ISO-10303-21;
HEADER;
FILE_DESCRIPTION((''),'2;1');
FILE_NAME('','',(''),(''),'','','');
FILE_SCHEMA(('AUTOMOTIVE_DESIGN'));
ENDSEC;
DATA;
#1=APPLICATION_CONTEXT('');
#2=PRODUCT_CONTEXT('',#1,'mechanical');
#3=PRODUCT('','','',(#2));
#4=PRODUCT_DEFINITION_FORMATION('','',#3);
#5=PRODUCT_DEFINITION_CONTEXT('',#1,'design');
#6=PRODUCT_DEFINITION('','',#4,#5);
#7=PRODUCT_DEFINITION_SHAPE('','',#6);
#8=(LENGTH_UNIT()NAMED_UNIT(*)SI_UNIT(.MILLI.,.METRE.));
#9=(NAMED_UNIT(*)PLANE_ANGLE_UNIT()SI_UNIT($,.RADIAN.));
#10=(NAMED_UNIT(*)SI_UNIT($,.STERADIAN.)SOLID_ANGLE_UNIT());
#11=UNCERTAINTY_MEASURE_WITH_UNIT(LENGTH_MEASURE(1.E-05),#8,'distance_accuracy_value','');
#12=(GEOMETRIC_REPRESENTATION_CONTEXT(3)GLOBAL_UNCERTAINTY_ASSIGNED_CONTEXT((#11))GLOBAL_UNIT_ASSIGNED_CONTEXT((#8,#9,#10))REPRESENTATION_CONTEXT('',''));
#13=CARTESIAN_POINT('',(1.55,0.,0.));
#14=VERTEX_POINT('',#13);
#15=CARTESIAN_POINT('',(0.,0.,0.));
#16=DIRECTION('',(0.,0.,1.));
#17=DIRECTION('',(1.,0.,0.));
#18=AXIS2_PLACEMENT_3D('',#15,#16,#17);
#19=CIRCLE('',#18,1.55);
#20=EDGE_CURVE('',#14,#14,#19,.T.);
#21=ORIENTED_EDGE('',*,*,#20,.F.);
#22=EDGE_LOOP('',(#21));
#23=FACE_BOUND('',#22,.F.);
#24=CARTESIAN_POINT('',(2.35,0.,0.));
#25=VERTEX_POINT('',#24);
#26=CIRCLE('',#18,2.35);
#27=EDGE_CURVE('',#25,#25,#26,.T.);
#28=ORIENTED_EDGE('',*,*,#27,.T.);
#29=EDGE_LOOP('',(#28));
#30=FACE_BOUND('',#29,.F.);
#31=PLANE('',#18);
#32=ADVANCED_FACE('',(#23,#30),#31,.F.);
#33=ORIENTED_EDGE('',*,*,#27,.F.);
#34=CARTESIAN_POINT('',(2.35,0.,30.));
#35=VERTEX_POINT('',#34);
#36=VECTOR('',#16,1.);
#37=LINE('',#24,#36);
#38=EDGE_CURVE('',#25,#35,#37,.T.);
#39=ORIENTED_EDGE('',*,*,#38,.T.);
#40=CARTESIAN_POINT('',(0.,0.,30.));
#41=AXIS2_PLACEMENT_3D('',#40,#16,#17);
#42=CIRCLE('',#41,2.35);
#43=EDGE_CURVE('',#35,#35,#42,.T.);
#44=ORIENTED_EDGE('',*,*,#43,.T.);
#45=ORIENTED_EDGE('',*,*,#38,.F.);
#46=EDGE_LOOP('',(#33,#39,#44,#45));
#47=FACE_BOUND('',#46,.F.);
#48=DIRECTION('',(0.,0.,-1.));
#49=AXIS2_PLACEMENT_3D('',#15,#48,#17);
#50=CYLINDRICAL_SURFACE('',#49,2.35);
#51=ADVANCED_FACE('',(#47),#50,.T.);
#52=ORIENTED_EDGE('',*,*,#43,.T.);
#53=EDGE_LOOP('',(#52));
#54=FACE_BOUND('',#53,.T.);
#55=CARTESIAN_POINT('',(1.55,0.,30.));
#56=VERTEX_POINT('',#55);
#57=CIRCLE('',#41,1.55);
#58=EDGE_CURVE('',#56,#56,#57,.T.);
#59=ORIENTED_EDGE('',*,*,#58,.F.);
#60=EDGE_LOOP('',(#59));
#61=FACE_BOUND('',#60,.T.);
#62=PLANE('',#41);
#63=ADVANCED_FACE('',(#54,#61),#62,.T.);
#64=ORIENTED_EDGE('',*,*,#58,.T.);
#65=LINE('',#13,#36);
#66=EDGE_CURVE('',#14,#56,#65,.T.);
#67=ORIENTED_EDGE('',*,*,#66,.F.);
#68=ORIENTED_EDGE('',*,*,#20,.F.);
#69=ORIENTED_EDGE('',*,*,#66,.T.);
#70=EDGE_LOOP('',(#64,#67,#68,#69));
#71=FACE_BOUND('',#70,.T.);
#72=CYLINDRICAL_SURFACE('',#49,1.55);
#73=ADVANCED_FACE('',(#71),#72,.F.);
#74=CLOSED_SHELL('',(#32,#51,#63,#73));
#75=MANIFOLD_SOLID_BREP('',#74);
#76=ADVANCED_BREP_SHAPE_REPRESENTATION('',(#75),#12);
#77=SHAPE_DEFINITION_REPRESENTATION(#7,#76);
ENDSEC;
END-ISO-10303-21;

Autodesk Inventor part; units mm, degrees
ref_plane "YZ Plane" through (0, 0, 0) normal (1, 0, 0) x (0, 1, 0)
ref_plane "XZ Plane" through (0, 0, 0) normal (0, 1, 0) x (-1, 0, 0)
ref_plane "XY Plane" through (0, 0, 0) normal (0, 0, 1) x (1, 0, 0)
sketch "Skizze1" plane through (0, 0, 0) normal (0, 0, 1) x (1, 0, 0)
  circle A0 centre (0, 0) radius 1.55
  circle A1 centre (0, 0) radius 2.35
  dimension "d0" = 0.8
  dimension "d1" = 3.1
extrude "Extrusion1" add sketch "Skizze1" along normal blind 30
properties part number "Stewart-Rod-Pipe-Small"
